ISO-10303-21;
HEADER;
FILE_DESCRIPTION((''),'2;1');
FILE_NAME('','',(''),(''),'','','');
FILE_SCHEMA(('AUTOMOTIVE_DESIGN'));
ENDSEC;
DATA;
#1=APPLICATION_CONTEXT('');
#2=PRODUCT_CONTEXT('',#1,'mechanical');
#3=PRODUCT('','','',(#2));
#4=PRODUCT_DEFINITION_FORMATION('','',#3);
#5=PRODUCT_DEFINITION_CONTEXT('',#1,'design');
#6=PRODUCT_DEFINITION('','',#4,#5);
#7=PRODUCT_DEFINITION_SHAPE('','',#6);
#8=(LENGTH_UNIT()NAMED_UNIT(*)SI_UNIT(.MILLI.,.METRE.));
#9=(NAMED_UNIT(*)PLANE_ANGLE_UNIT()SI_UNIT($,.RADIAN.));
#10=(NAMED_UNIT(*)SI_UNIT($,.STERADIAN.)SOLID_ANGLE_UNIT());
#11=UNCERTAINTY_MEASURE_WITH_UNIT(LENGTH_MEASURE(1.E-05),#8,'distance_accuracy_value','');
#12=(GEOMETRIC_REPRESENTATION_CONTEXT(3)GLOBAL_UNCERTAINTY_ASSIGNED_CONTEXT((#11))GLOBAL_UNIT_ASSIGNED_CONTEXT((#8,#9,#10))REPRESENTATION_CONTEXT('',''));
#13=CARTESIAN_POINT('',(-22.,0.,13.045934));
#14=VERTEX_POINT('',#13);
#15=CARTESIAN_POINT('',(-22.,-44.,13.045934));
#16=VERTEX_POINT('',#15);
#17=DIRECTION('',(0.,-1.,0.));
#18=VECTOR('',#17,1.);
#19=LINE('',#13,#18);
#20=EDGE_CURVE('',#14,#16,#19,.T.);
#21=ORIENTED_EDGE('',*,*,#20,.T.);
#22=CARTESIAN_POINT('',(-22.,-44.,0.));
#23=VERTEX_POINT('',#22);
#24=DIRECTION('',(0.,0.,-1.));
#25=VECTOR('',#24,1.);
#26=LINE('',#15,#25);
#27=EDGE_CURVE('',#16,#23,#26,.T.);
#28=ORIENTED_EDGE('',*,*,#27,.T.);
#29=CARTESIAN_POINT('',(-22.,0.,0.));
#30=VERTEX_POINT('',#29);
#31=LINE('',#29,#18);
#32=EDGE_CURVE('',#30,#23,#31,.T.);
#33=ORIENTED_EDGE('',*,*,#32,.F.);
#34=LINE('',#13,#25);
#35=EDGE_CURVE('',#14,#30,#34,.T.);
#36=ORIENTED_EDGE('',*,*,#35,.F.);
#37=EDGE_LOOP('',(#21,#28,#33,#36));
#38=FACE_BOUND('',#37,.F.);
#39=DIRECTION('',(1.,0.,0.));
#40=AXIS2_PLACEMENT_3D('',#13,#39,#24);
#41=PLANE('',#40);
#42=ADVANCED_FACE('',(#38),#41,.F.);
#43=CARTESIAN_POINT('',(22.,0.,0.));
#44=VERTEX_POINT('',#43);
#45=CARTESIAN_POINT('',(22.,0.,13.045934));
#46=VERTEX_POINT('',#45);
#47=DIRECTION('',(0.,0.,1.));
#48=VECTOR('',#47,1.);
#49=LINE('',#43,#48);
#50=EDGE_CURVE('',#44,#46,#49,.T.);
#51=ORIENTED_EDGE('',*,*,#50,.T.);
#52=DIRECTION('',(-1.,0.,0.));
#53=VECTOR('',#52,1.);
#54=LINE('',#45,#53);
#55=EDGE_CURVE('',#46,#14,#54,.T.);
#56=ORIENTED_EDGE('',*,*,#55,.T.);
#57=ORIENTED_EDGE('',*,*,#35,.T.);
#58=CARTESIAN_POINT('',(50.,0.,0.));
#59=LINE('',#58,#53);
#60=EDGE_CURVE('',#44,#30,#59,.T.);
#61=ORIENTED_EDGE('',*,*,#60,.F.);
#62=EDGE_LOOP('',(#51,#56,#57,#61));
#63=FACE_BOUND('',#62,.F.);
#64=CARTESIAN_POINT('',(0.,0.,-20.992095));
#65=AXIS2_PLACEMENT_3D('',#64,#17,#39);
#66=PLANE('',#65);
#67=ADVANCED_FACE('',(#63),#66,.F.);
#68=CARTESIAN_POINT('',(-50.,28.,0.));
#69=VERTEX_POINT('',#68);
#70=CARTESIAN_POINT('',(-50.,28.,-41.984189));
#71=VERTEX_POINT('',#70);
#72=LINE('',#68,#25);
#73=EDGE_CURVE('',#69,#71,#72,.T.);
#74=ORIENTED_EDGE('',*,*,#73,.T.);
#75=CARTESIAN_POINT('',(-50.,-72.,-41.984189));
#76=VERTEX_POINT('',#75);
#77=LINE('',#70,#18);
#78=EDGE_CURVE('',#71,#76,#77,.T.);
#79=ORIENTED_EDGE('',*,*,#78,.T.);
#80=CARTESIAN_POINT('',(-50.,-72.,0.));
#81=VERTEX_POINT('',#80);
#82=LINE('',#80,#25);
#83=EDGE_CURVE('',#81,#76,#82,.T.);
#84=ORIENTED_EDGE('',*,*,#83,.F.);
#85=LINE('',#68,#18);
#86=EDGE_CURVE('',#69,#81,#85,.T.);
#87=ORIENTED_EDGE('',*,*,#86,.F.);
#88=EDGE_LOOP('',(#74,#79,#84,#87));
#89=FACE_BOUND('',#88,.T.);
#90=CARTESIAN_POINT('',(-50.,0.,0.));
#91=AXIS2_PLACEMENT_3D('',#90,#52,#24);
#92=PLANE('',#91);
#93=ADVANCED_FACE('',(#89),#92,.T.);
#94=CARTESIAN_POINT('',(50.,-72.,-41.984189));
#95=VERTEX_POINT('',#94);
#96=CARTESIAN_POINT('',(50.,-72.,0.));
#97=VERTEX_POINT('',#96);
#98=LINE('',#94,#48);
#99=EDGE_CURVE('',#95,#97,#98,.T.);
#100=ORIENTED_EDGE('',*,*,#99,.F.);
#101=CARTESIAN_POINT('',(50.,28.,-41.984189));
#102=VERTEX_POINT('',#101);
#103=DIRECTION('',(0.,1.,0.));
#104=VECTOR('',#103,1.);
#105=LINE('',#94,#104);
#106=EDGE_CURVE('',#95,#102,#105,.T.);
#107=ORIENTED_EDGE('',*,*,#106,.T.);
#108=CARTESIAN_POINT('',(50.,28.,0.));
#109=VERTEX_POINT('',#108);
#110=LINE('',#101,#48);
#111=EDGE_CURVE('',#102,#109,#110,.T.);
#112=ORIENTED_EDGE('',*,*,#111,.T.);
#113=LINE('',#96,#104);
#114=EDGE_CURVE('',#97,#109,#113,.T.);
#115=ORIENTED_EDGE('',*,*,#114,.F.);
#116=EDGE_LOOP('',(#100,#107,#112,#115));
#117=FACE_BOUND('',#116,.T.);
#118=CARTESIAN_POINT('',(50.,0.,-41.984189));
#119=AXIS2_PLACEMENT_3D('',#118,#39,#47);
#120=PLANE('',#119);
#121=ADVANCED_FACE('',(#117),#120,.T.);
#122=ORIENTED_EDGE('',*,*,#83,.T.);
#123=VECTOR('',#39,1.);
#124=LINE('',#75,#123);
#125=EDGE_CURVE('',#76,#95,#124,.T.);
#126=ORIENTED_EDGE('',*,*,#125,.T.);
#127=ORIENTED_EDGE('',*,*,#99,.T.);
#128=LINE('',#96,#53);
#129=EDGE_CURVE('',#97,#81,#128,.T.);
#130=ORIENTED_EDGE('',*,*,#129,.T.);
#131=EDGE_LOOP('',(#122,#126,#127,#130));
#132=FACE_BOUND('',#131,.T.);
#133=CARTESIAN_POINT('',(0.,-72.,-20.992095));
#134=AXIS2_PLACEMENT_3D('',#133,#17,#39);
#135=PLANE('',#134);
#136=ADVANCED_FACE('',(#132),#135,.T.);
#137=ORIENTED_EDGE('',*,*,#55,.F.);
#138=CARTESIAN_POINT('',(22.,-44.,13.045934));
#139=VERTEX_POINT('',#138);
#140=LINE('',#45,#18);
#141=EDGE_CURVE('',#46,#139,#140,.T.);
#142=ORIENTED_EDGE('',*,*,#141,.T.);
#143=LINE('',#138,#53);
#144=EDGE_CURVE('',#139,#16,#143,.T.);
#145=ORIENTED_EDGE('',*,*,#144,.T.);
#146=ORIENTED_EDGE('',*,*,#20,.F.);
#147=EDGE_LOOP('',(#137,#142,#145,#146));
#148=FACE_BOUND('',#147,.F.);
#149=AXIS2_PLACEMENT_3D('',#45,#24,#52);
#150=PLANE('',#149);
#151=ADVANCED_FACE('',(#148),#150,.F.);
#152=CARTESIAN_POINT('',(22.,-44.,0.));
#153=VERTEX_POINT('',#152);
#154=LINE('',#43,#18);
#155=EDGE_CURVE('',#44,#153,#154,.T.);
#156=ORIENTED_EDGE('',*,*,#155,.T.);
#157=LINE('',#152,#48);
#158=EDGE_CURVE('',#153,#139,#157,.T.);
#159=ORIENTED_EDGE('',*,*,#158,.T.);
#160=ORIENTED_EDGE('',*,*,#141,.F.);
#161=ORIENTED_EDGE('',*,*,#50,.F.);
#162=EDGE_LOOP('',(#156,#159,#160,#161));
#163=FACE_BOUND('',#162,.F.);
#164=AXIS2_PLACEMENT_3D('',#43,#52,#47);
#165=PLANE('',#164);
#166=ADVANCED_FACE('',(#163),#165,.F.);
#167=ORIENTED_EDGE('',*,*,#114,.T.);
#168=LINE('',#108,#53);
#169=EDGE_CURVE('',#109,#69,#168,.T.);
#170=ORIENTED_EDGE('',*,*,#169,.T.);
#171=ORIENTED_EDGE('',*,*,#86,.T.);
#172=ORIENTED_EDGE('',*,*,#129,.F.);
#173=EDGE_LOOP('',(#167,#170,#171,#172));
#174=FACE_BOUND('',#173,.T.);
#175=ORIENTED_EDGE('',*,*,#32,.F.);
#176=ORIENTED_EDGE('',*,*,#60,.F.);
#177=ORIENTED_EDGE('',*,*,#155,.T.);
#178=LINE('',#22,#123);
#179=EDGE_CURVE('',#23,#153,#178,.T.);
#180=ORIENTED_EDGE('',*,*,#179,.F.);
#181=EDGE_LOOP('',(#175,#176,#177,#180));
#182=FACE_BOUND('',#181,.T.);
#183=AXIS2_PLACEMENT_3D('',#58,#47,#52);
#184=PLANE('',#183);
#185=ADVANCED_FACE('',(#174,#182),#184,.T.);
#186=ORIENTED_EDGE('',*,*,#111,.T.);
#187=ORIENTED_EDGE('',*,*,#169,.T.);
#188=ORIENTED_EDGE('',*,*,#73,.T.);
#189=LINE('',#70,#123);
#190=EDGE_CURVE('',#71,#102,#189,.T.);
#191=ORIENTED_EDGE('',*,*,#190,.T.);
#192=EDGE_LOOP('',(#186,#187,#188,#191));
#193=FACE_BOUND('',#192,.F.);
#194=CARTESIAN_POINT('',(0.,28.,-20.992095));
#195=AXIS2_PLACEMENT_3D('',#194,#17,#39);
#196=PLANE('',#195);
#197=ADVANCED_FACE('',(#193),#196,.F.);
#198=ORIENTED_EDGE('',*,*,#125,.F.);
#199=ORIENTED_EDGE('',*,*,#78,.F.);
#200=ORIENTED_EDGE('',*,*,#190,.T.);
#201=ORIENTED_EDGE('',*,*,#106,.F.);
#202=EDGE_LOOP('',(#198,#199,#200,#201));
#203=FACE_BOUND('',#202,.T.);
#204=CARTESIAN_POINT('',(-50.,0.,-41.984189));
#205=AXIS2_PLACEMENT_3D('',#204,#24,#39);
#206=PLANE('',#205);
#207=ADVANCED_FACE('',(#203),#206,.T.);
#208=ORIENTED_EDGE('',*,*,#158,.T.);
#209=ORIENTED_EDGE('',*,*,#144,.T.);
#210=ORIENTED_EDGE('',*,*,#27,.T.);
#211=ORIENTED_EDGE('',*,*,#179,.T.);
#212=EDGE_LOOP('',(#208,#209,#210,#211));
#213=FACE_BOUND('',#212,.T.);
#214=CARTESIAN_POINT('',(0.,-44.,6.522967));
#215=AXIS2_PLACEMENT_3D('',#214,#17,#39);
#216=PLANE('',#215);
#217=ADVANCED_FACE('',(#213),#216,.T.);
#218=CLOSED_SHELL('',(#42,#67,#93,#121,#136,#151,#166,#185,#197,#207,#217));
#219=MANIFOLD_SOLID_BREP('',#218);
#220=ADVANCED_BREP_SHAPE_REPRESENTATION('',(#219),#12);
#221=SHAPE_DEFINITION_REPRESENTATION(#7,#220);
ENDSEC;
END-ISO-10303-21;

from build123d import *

# Parameters (mm, degrees)
F1_DEPTH = 44
F2_DEPTH = 72
F3_DEPTH = 28


with BuildPart() as f1:
    # F0 (on Front) → F1 (new body)
    with BuildSketch(Plane.XZ):
        Polygon((22, 13.045934), (0, 13.045934), (-22, 13.045934), (-22, 0), (22, 0), align=None)
    extrude(amount=F1_DEPTH)

    # F0 (on Front) → F2 (join)
    with BuildSketch(Plane.XZ):
        Polygon((50, 0), (22, 0), (-22, 0), (-50, 0), (-50, -41.984189), (0, -41.984189), (50, -41.984189), align=None)
    extrude(amount=F2_DEPTH)

    # F0 (on Front) → F3 (join)
    with BuildSketch(Plane.XZ):
        Polygon((50, 0), (22, 0), (-22, 0), (-50, 0), (-50, -41.984189), (0, -41.984189), (50, -41.984189), align=None)
    extrude(amount=-F3_DEPTH)


solid = f1.part
